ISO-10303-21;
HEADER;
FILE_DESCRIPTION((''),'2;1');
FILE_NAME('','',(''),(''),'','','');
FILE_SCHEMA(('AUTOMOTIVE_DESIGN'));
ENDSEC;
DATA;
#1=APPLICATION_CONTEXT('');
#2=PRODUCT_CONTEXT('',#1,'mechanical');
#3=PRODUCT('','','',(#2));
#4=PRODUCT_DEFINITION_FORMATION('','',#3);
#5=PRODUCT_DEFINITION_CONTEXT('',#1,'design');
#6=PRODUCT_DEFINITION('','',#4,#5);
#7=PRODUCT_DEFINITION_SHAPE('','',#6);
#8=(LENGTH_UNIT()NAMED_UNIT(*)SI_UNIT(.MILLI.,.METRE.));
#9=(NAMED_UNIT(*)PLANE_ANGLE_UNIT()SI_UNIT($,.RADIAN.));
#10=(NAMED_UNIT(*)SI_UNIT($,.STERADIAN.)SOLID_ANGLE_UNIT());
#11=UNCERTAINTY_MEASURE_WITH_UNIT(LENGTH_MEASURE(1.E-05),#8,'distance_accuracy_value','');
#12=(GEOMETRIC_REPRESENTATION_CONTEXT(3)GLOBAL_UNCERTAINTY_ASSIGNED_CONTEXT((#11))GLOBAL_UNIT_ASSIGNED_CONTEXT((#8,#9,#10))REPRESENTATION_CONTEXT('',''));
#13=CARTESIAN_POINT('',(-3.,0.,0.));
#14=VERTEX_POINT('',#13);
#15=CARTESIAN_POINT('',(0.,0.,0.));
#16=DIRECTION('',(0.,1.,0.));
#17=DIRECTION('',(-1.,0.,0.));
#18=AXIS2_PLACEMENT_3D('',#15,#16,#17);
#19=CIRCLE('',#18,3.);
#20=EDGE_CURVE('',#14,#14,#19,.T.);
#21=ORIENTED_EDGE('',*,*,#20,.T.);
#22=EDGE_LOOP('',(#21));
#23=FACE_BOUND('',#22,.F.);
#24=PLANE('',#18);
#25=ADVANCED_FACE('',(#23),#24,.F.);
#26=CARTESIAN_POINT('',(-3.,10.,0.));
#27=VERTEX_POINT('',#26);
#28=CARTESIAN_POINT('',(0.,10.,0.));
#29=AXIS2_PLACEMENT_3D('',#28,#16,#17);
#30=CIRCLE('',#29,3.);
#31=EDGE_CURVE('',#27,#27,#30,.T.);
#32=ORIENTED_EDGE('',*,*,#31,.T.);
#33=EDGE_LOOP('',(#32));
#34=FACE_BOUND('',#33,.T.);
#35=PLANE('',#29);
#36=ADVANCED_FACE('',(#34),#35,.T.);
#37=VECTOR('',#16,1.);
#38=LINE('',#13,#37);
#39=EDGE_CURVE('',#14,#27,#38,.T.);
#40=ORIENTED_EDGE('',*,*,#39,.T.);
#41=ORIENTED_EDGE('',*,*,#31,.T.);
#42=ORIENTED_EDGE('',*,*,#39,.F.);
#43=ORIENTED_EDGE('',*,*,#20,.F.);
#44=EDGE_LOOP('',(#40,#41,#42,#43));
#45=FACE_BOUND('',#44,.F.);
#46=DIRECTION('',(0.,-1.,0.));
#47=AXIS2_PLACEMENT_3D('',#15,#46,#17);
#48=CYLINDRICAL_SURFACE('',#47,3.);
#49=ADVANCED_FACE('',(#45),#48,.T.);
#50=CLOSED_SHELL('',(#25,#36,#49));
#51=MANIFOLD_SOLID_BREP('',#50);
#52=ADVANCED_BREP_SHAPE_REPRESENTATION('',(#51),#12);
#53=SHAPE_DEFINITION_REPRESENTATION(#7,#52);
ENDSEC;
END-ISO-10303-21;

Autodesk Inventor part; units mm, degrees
ref_plane "YZ Plane" through (0, 0, 0) normal (1, 0, 0) x (0, 1, 0)
ref_plane "XZ Plane" through (0, 0, 0) normal (0, 1, 0) x (-1, 0, 0)
ref_plane "XY Plane" through (0, 0, 0) normal (0, 0, 1) x (1, 0, 0)
sketch "Sketch1" plane through (0, 0, 0) normal (0, 1, 0) x (-1, 0, 0)
  circle A0 centre (0, 0) radius 3
  dimension "d0" = 6
extrude "Extrusion1" add sketch "Sketch1" along normal blind 10
properties part number "joint_ref"
